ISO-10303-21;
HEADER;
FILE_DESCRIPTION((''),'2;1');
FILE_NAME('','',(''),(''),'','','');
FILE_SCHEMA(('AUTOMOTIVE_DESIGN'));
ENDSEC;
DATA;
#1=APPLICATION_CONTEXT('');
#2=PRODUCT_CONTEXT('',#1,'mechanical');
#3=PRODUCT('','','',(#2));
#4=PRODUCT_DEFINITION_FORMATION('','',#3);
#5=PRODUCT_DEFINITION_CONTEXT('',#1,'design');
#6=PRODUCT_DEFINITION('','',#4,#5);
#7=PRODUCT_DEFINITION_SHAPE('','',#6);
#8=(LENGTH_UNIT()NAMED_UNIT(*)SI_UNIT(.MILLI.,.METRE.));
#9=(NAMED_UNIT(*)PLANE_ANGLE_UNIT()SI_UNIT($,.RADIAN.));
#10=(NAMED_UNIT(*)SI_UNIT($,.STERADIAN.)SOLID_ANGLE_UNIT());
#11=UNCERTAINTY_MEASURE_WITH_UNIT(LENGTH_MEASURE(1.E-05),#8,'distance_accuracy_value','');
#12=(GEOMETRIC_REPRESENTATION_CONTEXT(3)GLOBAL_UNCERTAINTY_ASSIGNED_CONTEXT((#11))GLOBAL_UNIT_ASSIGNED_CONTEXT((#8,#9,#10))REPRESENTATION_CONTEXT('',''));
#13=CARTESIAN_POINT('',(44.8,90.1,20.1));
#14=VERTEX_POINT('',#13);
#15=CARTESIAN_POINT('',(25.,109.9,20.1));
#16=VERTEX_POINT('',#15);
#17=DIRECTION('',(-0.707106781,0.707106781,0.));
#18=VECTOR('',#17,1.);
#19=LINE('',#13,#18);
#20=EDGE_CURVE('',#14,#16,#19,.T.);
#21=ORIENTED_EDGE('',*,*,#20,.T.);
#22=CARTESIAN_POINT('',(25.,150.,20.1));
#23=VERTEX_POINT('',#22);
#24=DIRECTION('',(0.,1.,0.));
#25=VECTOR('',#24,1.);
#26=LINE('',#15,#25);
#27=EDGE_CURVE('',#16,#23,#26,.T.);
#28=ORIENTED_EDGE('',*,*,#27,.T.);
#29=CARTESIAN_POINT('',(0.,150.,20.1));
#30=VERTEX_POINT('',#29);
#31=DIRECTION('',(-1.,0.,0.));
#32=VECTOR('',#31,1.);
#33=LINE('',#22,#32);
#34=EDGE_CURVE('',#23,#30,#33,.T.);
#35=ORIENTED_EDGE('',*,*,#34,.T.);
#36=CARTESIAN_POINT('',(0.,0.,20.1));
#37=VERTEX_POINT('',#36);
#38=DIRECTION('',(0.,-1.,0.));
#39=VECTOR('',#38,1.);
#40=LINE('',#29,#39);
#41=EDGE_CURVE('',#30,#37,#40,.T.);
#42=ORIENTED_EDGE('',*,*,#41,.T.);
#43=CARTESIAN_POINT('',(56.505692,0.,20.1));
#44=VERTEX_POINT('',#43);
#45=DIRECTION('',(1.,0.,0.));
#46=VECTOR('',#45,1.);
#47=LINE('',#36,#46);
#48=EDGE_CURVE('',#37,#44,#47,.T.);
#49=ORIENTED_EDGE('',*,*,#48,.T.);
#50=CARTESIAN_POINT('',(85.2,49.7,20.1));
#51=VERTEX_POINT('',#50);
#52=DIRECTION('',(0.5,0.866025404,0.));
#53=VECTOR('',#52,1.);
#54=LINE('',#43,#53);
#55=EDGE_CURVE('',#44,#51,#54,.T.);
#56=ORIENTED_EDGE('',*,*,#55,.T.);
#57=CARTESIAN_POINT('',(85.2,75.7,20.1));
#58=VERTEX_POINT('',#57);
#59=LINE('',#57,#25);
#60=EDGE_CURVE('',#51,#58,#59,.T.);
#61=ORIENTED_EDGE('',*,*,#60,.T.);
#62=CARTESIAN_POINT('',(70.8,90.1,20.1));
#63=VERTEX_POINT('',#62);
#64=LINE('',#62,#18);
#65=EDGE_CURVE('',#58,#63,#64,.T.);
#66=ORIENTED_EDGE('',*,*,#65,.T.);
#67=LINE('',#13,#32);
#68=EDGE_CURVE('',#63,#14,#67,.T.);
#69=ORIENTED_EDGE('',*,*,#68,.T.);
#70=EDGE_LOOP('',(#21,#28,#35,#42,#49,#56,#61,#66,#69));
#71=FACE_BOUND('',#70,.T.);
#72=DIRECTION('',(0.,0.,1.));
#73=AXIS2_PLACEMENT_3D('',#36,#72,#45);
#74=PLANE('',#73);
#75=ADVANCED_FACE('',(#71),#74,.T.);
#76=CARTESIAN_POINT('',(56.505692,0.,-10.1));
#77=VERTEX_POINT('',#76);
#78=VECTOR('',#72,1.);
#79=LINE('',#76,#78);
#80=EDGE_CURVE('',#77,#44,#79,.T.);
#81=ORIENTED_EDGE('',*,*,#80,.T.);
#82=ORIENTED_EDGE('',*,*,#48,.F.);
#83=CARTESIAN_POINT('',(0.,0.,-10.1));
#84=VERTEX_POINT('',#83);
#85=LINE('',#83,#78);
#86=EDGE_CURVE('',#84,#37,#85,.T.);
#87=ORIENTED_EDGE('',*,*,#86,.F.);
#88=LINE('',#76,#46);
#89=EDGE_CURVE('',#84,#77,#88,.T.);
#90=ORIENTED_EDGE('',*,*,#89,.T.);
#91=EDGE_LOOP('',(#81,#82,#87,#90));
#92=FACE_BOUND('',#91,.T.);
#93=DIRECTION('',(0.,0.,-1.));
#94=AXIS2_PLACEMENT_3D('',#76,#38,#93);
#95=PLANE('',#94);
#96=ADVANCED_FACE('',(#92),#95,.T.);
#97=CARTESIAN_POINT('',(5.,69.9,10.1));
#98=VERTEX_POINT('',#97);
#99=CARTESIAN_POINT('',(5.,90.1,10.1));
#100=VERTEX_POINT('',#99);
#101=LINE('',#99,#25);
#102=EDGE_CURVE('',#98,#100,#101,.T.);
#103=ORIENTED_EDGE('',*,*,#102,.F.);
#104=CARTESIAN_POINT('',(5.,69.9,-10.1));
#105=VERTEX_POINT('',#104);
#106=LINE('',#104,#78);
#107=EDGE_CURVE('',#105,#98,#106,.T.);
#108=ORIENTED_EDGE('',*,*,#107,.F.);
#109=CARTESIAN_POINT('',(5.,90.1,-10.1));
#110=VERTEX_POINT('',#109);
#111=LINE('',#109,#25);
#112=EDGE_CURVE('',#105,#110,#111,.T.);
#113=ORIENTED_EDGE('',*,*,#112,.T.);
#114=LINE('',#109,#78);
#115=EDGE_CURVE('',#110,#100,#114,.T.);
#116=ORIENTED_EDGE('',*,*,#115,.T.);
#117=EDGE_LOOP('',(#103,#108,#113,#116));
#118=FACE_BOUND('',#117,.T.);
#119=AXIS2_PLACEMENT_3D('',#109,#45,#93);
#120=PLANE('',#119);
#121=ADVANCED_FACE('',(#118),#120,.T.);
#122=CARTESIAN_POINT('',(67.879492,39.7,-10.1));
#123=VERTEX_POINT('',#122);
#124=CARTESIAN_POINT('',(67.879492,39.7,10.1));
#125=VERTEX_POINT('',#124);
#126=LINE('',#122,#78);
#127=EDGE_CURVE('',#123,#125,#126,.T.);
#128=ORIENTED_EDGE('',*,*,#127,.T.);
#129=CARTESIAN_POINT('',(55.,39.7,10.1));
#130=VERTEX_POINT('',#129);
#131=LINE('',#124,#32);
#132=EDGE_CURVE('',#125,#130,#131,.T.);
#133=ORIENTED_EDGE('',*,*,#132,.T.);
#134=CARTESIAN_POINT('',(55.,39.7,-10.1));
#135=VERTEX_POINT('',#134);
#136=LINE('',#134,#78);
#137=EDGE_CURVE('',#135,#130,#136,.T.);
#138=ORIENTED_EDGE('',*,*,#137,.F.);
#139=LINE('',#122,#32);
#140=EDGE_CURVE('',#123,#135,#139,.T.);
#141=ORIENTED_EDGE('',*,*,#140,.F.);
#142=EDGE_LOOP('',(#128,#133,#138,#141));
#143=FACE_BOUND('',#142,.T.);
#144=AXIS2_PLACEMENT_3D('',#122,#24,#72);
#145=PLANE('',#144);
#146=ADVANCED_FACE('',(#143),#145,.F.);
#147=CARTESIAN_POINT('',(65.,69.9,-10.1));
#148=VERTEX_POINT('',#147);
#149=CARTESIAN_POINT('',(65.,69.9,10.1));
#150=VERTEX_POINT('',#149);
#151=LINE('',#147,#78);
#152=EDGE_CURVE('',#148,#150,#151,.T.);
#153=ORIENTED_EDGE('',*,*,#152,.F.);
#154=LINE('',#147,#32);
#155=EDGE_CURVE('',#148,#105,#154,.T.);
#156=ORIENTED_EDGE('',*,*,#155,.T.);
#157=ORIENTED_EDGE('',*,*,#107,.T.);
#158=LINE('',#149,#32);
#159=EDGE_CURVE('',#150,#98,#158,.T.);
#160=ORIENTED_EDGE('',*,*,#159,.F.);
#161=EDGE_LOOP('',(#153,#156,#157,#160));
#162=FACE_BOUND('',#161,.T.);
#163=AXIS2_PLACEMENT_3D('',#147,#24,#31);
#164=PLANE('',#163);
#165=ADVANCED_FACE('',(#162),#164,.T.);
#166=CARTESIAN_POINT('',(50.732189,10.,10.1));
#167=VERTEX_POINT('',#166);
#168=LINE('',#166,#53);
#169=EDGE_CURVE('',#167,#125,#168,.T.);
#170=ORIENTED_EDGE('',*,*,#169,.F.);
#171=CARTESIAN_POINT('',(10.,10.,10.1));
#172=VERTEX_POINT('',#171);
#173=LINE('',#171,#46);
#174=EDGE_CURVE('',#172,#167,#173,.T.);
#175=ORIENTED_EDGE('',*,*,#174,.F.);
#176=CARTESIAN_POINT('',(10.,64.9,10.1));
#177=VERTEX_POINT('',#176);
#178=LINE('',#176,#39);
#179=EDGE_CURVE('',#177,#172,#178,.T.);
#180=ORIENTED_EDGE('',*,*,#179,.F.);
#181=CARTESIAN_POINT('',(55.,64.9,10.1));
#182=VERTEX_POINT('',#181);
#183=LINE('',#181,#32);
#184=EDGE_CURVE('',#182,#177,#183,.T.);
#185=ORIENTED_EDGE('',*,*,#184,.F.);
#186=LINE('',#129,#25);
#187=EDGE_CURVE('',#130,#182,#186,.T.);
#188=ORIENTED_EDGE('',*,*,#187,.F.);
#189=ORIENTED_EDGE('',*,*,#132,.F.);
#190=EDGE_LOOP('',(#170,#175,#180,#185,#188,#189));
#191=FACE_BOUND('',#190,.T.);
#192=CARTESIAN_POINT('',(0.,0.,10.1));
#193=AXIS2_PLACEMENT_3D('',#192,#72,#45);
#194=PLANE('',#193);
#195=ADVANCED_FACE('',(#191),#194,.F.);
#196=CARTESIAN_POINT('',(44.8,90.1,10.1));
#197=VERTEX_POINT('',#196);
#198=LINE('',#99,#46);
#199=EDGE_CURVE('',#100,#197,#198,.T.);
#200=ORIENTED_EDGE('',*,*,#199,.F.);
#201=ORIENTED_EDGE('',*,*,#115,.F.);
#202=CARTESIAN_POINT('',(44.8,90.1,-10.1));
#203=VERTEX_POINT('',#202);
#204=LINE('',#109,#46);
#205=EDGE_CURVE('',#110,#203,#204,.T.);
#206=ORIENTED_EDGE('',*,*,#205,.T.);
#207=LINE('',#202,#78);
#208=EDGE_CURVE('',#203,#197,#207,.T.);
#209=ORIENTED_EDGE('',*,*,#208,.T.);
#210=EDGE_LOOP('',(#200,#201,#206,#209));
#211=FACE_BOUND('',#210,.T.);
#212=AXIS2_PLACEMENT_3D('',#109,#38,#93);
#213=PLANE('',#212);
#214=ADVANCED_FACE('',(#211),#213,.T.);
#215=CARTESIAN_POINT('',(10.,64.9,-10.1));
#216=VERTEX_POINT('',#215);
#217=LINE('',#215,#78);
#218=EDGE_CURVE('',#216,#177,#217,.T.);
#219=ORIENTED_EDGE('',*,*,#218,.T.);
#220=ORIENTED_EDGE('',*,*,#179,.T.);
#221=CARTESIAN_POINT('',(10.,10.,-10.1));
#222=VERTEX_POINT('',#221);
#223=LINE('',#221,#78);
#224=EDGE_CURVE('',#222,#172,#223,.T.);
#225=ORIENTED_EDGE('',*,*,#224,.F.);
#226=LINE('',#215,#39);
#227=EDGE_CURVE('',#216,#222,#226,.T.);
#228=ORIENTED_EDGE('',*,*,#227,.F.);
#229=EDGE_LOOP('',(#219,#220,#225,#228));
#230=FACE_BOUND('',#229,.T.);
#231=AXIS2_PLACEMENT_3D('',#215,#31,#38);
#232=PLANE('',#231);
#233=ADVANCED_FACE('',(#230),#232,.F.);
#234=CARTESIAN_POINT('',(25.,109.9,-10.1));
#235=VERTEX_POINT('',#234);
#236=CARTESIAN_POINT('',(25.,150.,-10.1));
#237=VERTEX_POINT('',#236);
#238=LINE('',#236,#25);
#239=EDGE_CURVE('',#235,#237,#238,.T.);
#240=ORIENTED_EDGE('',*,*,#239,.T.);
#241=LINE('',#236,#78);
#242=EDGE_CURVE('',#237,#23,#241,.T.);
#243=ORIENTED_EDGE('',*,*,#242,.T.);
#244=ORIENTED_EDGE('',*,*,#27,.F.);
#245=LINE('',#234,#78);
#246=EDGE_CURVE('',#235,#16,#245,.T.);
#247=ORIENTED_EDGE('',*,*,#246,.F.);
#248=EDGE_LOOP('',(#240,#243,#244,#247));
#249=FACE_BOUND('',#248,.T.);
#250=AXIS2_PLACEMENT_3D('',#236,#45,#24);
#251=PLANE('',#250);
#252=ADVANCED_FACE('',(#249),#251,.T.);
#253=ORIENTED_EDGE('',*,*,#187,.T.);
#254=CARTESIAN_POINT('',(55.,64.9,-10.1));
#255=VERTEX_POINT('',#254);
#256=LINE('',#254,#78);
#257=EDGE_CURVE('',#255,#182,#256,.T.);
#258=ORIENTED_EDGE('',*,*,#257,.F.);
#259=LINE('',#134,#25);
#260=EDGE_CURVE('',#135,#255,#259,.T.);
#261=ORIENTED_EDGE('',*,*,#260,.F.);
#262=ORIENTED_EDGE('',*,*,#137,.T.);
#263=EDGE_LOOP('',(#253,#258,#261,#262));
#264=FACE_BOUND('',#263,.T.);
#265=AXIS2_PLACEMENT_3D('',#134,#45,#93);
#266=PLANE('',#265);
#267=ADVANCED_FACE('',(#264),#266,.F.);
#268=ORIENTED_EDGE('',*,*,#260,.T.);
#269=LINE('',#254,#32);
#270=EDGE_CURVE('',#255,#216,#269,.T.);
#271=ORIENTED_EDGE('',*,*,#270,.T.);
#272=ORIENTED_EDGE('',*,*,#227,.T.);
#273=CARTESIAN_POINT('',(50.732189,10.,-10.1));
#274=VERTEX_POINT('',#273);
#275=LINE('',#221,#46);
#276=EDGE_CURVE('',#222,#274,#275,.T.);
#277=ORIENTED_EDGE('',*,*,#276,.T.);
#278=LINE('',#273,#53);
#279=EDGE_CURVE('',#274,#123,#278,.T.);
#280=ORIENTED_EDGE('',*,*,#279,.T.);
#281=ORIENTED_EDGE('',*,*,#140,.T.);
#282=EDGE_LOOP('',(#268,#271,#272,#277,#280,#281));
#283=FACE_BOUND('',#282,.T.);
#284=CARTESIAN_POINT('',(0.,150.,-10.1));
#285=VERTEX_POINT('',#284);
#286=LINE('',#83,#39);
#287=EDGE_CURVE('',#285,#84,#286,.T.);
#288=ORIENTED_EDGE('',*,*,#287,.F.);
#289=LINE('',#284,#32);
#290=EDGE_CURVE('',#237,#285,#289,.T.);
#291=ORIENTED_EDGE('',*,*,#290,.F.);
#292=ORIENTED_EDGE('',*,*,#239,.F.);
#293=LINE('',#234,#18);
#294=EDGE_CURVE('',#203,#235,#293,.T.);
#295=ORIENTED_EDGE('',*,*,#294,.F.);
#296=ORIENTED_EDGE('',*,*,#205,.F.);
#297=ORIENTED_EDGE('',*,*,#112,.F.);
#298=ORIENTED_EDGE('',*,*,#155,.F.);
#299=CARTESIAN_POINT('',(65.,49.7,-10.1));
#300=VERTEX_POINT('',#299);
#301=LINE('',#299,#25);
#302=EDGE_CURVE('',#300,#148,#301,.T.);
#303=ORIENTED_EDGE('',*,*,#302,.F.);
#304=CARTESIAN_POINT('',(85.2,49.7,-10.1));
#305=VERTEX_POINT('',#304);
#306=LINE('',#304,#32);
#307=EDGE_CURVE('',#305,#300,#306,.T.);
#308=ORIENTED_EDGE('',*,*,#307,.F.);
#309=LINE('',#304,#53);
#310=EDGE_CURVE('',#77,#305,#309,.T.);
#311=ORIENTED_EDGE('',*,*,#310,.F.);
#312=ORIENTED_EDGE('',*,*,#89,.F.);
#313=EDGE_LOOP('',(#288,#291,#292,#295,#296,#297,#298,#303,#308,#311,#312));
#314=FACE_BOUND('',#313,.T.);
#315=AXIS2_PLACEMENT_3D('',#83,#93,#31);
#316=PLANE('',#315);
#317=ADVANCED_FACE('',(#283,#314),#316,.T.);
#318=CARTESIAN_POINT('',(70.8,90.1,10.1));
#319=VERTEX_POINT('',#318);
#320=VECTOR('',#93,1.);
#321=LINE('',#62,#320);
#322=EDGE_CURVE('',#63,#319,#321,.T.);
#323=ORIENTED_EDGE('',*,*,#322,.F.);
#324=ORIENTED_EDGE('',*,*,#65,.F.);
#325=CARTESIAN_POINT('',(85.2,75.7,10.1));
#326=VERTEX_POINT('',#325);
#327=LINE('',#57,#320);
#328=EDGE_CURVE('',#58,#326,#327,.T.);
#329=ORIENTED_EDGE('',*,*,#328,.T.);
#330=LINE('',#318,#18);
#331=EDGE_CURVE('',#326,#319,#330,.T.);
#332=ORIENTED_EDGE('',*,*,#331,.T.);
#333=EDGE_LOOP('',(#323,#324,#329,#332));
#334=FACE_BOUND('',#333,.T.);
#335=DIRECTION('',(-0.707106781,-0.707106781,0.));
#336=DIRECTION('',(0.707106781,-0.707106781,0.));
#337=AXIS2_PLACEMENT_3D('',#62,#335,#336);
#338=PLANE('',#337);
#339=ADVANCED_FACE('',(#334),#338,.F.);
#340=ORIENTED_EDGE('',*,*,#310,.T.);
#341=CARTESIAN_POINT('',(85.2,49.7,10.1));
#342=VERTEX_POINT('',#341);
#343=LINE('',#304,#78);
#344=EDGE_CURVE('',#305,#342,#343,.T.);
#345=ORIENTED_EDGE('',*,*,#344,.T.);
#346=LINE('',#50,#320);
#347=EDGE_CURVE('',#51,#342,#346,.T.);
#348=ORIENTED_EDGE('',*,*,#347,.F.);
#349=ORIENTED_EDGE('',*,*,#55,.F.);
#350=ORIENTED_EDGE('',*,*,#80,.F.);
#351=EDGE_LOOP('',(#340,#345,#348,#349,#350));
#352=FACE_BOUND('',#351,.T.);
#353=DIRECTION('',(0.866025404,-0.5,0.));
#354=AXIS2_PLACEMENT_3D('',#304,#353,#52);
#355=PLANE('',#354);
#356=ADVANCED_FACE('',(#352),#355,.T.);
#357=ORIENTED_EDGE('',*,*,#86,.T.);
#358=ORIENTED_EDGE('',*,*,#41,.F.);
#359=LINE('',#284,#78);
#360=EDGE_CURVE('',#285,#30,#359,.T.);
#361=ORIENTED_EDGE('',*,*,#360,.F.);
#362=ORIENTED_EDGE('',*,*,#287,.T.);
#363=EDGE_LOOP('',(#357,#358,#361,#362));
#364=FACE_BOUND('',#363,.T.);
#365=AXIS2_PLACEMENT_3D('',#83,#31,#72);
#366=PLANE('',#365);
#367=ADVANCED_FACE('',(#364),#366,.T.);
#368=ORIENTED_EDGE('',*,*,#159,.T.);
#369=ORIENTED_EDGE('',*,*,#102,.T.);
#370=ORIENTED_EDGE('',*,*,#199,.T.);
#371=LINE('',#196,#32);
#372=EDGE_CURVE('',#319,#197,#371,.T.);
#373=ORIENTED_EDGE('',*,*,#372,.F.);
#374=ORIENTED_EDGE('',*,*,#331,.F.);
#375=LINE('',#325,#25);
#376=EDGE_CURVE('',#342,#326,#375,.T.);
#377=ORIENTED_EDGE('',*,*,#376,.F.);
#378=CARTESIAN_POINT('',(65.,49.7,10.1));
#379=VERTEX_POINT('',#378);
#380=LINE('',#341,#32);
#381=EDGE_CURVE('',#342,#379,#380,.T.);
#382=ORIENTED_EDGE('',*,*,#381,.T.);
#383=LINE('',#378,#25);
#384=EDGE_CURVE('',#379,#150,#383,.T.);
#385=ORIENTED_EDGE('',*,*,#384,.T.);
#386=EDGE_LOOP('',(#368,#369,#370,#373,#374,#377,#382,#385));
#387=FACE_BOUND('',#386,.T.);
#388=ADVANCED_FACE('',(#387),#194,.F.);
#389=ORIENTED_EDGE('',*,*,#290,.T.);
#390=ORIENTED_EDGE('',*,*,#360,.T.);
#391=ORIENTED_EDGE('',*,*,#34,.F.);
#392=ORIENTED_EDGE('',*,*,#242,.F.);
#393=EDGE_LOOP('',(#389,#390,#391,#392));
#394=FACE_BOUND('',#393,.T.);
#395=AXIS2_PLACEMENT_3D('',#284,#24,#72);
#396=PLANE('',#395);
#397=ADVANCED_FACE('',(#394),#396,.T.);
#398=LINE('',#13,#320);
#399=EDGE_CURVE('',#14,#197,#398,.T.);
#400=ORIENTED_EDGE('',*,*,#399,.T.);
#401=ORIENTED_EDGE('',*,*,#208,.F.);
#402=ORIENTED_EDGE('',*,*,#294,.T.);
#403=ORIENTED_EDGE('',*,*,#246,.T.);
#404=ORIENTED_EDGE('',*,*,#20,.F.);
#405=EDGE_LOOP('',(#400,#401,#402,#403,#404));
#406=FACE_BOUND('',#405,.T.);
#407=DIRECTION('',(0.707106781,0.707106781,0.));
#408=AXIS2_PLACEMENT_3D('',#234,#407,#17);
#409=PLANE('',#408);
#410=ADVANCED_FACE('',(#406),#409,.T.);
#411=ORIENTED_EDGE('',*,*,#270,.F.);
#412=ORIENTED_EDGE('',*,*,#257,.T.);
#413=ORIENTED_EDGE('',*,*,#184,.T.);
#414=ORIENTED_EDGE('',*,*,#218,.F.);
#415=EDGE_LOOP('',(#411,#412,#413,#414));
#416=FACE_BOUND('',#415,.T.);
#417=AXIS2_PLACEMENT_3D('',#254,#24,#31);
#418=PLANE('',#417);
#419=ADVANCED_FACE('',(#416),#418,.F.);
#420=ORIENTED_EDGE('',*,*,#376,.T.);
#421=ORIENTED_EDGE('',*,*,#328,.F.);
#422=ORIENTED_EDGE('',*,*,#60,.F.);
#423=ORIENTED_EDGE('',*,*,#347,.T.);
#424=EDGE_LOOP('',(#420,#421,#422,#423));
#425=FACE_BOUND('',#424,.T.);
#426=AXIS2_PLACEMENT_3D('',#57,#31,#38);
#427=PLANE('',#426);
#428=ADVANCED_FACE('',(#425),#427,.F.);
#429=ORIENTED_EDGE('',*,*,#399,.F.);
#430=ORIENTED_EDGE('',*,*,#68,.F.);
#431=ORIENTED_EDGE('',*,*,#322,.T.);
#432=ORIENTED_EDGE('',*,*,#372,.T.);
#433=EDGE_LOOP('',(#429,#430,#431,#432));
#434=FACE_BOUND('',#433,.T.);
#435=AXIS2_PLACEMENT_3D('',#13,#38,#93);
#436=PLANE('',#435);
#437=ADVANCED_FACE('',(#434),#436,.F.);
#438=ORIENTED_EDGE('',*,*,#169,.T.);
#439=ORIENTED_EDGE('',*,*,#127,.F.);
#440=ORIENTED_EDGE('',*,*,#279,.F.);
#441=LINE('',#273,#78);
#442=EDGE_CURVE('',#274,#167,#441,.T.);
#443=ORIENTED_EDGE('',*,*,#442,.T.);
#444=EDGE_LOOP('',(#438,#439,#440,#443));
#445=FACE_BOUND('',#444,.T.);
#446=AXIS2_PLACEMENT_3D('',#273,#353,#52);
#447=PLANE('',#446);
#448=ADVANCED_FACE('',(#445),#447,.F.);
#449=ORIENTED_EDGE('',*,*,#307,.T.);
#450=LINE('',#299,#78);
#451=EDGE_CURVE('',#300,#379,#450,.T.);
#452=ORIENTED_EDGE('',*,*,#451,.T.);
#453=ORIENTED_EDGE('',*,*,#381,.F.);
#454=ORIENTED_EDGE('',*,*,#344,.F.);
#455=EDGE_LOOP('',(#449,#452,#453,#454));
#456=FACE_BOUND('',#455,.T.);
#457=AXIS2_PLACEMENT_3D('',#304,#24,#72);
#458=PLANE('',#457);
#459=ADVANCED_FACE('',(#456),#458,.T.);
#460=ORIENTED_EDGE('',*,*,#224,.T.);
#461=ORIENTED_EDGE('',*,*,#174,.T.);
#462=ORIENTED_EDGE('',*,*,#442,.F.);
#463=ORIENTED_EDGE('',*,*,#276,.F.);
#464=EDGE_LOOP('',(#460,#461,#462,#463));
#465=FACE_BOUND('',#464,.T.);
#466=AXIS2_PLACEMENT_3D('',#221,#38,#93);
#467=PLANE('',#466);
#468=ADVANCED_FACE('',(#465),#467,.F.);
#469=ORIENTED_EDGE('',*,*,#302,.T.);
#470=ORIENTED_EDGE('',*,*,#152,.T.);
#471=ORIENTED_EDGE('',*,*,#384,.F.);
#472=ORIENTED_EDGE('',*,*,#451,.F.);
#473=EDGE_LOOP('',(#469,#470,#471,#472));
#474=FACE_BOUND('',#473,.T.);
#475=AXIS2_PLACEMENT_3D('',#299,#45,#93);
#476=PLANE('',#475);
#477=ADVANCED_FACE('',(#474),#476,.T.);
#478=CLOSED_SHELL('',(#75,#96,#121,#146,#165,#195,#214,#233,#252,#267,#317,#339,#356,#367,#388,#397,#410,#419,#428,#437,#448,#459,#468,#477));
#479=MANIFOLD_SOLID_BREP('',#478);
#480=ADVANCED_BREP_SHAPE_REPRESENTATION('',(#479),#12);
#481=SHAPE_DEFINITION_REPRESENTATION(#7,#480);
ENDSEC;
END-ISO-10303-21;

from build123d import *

# Parameters (mm, degrees)
BOSS_EXTRUDE1_DEPTH      = 10.1
BOSS_EXTRUDE1_DEPTH_BACK = 10.1
BOSS_EXTRUDE2_DEPTH      = 10


with BuildPart() as part:
    # Sketch1 → Boss-Extrude1 (new, two sides: drawn at the far end of the back side and taken through both)
    with BuildSketch(Plane.XY.offset(-BOSS_EXTRUDE1_DEPTH_BACK)):
        Polygon((0, 0), (0, 150), (25, 150), (25, 109.9), (44.8, 90.1), (5, 90.1), (5, 69.9), (65, 69.9), (65, 49.7), (85.2, 49.7), (56.505691621, 0), align=None)
        Polygon((10, 64.9), (10, 10), (50.732188929, 10), (67.879491924, 39.7), (55, 39.7), (55, 64.9), align=None, mode=Mode.SUBTRACT)
    extrude(amount=BOSS_EXTRUDE1_DEPTH + BOSS_EXTRUDE1_DEPTH_BACK)

    # Sketch2 → Boss-Extrude2 (add)
    with BuildSketch(Plane.XY.offset(10.1)):
        Polygon((44.8, 90.1), (70.8, 90.1), (85.2, 75.7), (85.2, 49.7), (56.505691621, 0), (0, 0), (0, 150), (25, 150), (25, 109.9), align=None)
    extrude(amount=BOSS_EXTRUDE2_DEPTH)


solid = part.part
